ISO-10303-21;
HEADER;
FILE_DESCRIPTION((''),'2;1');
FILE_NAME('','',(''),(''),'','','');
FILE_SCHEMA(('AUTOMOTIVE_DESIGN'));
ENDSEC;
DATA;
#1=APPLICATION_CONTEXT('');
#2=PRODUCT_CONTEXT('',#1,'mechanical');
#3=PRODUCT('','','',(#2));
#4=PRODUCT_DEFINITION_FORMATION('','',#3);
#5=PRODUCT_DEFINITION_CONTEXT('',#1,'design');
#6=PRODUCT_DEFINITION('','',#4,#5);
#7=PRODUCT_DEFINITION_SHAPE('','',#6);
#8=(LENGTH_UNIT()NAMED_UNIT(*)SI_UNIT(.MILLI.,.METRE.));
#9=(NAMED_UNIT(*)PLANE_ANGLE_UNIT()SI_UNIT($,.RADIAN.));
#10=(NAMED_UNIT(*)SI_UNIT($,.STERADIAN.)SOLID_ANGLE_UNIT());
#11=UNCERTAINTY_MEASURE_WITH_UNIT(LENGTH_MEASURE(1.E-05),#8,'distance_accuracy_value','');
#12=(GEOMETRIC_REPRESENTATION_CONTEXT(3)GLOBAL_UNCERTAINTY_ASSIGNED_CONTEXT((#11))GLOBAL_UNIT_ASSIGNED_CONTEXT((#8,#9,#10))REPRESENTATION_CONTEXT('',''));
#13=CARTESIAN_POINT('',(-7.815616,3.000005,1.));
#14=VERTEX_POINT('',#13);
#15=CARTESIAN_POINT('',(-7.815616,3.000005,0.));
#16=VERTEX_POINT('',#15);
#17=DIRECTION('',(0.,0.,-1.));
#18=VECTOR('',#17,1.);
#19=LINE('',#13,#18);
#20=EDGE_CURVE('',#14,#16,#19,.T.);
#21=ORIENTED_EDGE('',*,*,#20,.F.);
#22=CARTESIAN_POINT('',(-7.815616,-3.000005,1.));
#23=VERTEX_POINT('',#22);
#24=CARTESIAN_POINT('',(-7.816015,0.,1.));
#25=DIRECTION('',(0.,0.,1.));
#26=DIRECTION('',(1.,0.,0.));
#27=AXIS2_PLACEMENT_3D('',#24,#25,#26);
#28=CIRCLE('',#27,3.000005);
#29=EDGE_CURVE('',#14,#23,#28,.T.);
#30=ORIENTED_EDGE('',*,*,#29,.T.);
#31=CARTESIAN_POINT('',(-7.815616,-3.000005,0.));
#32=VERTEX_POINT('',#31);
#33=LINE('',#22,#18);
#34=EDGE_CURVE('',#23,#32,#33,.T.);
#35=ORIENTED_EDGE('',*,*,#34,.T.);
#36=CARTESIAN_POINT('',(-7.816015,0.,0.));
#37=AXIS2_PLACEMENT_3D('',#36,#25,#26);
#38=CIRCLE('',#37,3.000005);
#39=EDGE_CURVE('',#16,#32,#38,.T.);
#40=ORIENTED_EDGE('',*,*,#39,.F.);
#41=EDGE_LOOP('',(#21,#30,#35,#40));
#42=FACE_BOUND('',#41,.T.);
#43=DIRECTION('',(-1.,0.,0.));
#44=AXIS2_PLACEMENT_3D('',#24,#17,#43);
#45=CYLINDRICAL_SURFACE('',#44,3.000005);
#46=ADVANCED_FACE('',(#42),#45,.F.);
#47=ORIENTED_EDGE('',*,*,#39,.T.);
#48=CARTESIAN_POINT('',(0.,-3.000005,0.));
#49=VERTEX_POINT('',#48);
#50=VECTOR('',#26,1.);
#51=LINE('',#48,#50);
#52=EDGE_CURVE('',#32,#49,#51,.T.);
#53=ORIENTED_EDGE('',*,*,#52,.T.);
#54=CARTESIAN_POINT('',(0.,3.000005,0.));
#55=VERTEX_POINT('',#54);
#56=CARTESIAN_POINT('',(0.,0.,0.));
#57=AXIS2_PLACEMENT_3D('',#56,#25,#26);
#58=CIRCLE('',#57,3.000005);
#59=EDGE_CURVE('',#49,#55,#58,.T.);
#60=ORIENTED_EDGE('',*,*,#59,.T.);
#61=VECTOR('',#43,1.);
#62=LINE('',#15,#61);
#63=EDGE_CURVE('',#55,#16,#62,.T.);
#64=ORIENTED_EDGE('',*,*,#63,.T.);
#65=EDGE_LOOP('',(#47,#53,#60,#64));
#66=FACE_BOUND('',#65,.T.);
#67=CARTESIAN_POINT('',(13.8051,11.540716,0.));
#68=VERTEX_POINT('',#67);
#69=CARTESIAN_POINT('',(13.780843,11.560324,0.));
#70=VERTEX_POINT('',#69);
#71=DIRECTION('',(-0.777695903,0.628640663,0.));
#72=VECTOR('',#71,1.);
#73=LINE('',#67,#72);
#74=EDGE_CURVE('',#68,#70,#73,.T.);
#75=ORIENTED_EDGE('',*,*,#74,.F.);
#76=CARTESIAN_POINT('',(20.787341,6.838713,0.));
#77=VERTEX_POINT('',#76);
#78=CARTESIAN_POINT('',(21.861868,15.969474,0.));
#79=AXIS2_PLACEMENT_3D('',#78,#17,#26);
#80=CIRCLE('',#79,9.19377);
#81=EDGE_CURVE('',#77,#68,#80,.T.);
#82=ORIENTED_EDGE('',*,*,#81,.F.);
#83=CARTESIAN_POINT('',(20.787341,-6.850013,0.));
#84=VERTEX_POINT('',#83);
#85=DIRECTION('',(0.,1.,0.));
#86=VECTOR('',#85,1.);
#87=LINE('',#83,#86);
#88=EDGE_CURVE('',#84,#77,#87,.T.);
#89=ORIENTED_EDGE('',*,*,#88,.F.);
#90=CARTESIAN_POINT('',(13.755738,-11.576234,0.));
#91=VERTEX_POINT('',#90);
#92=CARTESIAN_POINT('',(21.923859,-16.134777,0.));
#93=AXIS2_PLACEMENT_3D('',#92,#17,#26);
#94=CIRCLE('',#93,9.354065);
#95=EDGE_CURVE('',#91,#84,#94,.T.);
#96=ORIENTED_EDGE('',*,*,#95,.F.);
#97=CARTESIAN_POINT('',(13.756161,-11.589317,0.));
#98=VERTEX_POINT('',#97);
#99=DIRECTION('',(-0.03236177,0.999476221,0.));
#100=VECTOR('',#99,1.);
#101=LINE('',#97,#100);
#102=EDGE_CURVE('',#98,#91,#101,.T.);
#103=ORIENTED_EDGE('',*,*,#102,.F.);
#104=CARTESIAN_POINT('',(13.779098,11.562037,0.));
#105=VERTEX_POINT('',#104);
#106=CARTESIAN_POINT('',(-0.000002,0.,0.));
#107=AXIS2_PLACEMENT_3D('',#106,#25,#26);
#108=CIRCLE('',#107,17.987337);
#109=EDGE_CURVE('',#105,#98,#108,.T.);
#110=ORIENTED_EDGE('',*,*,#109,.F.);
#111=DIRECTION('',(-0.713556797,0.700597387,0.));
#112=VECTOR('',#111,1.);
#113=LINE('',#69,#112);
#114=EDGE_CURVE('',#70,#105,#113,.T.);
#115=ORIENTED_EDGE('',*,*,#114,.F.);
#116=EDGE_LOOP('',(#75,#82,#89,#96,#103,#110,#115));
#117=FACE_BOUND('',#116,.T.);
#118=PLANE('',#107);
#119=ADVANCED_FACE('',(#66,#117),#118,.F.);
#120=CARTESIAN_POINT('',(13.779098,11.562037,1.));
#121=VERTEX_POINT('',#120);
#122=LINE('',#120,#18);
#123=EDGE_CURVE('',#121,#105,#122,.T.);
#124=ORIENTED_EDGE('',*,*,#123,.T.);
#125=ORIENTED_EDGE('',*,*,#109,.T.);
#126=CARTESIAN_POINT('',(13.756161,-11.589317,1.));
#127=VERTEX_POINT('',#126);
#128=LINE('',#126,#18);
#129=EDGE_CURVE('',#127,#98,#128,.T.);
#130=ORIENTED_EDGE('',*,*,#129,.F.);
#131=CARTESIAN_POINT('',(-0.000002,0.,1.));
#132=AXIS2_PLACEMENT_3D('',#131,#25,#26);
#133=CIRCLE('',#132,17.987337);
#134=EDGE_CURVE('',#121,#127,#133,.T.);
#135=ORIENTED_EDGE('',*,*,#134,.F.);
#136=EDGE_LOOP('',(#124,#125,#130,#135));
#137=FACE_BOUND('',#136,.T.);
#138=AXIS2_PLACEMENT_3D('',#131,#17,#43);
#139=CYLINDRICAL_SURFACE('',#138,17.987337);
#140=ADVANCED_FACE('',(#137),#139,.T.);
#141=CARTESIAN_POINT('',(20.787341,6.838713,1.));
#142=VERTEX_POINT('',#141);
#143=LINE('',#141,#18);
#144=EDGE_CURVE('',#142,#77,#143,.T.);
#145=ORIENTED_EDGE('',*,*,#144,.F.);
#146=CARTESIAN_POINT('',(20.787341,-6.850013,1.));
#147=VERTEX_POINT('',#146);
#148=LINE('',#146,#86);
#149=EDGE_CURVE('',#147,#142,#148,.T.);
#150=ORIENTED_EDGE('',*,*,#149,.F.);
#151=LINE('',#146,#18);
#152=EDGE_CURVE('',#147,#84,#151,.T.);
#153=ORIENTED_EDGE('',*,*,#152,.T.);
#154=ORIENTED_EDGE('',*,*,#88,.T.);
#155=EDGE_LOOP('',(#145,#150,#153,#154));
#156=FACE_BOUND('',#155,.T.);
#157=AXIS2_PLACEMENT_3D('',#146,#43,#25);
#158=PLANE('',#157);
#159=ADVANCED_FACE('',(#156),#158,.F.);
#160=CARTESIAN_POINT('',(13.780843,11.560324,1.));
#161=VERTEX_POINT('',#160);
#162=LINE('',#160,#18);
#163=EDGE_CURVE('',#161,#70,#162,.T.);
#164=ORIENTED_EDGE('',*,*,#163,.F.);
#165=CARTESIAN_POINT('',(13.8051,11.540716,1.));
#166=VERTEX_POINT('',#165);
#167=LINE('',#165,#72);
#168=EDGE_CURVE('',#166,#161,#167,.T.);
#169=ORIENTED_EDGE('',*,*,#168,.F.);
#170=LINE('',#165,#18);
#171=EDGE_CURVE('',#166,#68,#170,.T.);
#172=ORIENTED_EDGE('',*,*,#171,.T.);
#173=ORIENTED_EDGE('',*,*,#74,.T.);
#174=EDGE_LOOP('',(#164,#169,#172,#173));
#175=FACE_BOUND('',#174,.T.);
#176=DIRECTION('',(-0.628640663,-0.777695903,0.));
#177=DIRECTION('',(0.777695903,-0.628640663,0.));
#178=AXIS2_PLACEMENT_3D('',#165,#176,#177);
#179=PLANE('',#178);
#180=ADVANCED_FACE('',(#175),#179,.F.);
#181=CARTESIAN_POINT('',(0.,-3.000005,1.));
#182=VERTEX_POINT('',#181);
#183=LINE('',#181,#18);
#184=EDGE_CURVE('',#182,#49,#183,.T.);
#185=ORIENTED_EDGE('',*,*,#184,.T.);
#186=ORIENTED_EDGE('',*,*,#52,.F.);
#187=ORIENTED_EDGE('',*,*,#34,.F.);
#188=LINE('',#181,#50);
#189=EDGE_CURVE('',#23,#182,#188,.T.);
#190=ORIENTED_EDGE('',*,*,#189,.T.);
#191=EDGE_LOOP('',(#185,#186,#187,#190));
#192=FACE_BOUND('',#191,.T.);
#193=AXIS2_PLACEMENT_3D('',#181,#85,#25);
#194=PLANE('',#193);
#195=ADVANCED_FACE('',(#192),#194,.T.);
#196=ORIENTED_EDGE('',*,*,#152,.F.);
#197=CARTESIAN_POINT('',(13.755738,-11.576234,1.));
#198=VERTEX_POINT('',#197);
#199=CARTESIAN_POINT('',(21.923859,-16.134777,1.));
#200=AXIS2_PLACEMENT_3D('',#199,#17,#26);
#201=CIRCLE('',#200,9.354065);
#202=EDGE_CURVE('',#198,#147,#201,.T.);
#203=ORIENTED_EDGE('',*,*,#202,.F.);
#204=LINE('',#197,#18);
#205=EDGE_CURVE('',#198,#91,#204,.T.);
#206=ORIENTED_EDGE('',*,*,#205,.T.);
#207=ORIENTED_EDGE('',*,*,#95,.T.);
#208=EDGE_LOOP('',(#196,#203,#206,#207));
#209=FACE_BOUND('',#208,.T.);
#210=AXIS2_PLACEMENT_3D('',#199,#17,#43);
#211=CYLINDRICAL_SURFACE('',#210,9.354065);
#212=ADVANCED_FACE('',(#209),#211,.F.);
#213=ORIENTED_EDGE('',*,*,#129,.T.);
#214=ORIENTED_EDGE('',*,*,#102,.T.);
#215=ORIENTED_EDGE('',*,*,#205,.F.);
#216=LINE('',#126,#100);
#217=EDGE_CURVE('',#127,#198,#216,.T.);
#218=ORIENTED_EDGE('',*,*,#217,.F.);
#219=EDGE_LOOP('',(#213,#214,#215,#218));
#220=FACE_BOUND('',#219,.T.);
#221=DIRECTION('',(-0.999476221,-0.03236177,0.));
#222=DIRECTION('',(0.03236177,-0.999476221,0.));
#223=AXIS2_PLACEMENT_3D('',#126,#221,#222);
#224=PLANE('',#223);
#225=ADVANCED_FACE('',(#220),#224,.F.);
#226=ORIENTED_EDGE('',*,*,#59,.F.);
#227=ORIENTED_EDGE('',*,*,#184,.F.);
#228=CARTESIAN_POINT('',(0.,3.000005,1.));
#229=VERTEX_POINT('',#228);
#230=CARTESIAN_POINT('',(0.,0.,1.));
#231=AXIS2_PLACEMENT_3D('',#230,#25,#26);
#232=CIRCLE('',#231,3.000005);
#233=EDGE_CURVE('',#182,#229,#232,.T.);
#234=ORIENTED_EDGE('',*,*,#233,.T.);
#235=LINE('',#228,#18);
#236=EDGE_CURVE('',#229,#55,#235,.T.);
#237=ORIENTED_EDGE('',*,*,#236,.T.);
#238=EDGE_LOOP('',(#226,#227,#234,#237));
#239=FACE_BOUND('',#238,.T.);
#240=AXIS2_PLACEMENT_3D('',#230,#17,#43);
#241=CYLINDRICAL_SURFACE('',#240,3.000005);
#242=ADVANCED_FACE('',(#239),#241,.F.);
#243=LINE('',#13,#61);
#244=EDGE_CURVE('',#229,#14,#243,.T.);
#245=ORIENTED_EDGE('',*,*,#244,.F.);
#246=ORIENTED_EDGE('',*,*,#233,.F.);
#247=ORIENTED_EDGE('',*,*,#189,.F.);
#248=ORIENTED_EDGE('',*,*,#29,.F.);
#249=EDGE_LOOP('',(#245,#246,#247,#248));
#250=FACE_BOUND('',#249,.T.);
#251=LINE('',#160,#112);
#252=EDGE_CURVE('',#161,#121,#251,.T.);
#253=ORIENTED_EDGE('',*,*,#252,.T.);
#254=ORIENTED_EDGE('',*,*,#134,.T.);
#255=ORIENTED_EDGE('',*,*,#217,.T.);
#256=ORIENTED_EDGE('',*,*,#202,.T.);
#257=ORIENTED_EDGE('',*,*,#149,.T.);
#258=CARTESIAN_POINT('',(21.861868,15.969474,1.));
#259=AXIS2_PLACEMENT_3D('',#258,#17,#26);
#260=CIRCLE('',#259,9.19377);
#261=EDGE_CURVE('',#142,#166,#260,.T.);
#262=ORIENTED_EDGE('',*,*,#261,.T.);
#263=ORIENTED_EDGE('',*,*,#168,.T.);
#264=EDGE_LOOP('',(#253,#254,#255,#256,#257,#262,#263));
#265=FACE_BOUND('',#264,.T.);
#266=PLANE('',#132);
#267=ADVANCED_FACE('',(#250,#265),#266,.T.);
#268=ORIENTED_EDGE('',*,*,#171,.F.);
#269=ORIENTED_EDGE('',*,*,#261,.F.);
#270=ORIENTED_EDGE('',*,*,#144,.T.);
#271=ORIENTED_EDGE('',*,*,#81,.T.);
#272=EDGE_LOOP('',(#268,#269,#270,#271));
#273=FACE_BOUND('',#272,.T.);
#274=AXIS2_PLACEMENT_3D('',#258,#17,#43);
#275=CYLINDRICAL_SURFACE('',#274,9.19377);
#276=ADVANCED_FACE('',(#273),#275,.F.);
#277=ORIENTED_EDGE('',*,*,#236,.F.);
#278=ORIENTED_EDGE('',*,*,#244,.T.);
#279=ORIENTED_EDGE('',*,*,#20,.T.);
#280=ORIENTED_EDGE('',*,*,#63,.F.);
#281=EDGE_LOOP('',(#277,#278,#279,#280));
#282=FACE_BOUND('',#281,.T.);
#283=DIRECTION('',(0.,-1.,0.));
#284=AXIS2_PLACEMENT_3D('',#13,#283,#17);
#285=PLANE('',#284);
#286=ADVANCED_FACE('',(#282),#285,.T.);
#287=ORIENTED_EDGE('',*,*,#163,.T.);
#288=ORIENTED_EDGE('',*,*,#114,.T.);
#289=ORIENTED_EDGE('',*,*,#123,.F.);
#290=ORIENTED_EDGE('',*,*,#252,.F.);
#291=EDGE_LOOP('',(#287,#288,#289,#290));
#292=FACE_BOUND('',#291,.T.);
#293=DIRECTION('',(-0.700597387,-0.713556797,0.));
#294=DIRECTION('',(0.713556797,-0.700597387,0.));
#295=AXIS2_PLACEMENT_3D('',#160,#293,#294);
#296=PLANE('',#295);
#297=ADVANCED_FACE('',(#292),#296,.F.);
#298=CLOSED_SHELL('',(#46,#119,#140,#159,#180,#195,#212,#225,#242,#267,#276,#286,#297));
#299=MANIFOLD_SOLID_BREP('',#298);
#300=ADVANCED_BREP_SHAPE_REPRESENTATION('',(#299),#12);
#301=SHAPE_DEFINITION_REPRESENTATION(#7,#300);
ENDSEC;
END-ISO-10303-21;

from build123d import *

# Parameters (mm, degrees)
EXTRUDE_1_DEPTH = 1


with BuildPart() as part:
    # 草图1 → 凸台-拉伸1 (new body)
    with BuildSketch(Plane.XY):
        with BuildLine():
            Line((13.756161337, -11.589316843), (13.755737728, -11.576233912))
            ThreePointArc((13.755737728, -11.576233912), (16.705777817, -8.371391827), (20.787340615, -6.8500127))
            Line((20.787340615, -6.8500127), (20.787340615, 6.838712609))
            ThreePointArc((20.787340615, 6.838712609), (16.726466447, 8.343658429), (13.805099755, 11.540716072))
            Line((13.805099755, 11.540716072), (13.780842765, 11.560323903))
            Line((13.780842765, 11.560323903), (13.779097734, 11.562037241))
            ThreePointArc((13.779097734, 11.562037241), (-17.987329683, 0.017820318), (13.756161337, -11.589316843))
        make_face()
        with BuildLine():
            Line((-7.815615951, 3.00000508), (0, 3.00000508))
            ThreePointArc((0, 3.00000508), (3.000005067, 1.3e-08), (0, -3.000005054))
            Line((0, -3.000005054), (-7.815615951, -3.000005054))
            ThreePointArc((-7.815615951, -3.000005054), (-10.816019825, 1.3e-08), (-7.815615951, 3.00000508))
        make_face(mode=Mode.SUBTRACT)
    extrude(amount=EXTRUDE_1_DEPTH)


solid = part.part
